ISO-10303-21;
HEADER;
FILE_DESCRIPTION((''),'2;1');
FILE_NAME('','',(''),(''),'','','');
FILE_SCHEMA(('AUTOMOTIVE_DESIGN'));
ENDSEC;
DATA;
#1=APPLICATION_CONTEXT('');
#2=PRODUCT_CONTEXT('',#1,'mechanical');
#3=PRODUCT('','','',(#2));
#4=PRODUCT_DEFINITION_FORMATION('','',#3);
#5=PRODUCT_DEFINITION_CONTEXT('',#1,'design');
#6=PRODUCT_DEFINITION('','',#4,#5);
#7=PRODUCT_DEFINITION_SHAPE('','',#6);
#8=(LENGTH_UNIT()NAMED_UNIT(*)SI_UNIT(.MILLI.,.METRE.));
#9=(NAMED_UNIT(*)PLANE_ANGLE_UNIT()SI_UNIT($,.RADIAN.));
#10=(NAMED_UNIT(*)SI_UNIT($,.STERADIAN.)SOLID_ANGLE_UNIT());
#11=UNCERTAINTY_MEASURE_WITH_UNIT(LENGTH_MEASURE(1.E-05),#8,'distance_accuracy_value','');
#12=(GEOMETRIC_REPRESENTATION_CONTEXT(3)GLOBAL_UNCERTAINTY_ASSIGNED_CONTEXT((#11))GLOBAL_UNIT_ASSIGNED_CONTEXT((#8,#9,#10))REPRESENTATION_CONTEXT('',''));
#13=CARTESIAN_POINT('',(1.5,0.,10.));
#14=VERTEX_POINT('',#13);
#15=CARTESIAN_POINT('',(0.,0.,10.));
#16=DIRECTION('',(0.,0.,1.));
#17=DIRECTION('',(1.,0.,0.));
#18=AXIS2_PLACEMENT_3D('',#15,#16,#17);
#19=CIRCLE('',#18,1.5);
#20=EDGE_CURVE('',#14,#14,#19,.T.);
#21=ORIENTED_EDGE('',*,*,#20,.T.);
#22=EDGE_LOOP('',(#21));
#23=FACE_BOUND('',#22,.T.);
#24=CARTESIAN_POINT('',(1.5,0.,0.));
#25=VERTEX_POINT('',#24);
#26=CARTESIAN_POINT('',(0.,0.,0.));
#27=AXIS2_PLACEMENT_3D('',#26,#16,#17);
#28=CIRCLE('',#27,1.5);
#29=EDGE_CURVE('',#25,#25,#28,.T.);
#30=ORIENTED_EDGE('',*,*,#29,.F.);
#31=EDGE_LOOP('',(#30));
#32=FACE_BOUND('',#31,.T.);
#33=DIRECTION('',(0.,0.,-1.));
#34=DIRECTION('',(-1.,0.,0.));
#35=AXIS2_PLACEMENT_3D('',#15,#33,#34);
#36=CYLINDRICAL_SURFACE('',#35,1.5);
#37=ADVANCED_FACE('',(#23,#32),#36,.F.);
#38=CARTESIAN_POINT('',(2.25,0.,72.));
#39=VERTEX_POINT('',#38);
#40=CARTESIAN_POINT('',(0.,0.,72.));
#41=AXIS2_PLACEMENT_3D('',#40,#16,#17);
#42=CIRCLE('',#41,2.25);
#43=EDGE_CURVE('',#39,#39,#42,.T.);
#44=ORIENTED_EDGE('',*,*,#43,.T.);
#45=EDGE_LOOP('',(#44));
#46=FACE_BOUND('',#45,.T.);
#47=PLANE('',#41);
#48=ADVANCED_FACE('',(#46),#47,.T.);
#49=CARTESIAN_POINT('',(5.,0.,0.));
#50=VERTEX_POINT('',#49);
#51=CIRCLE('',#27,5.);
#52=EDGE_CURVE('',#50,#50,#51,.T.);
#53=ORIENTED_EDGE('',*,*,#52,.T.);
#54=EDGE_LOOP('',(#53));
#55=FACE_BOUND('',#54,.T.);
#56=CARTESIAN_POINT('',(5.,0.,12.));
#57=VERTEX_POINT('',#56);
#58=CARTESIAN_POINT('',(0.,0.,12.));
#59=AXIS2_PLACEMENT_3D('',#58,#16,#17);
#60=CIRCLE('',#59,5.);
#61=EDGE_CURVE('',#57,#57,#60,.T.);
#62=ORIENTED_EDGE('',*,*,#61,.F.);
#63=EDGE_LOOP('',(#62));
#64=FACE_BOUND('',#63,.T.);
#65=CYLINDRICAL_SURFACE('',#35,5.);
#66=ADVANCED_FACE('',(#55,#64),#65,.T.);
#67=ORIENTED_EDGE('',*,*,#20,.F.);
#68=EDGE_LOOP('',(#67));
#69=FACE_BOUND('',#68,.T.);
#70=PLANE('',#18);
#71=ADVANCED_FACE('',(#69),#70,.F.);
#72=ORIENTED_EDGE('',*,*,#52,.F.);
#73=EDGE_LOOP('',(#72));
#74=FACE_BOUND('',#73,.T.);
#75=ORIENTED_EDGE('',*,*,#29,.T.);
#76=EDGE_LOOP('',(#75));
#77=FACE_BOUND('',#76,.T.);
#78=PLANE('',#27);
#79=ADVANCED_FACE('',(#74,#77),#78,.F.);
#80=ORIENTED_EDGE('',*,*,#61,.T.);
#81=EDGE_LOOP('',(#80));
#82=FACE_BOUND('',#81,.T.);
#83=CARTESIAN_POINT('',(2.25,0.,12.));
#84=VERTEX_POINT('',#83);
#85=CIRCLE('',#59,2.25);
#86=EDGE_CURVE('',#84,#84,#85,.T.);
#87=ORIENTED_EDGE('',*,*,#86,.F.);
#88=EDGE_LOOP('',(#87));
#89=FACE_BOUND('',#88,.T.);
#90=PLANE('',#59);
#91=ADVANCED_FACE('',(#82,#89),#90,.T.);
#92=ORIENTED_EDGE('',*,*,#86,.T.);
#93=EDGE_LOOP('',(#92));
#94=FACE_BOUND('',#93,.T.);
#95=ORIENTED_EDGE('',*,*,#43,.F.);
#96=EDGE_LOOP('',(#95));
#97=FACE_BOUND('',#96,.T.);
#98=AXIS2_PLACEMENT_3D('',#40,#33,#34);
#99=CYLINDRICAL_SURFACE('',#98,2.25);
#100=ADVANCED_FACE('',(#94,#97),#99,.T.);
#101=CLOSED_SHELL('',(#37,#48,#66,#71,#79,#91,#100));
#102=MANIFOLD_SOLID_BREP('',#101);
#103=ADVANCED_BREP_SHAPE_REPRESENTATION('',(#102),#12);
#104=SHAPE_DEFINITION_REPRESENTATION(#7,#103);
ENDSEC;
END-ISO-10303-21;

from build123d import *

# Parameters (mm, degrees)
SKETCH1_R           = 5
SKETCH1_R_2         = 1.5
BOSS_EXTRUDE1_DEPTH = 10
SKETCH2_R           = 5
BOSS_EXTRUDE2_DEPTH = 2
SKETCH3_R           = 2.25
BOSS_EXTRUDE3_DEPTH = 60


with BuildPart() as part:
    # Sketch1 → Boss-Extrude1 (new body)
    with BuildSketch(Plane.XY):
        Circle(SKETCH1_R)
        Circle(SKETCH1_R_2, mode=Mode.SUBTRACT)
    extrude(amount=BOSS_EXTRUDE1_DEPTH)

    # Sketch2 → Boss-Extrude2 (add)
    with BuildSketch(Plane.XY.offset(10)):
        Circle(SKETCH2_R)
    extrude(amount=BOSS_EXTRUDE2_DEPTH)

    # Sketch3 → Boss-Extrude3 (add)
    with BuildSketch(Plane.XY.offset(12)):
        Circle(SKETCH3_R)
    extrude(amount=BOSS_EXTRUDE3_DEPTH)


solid = part.part
